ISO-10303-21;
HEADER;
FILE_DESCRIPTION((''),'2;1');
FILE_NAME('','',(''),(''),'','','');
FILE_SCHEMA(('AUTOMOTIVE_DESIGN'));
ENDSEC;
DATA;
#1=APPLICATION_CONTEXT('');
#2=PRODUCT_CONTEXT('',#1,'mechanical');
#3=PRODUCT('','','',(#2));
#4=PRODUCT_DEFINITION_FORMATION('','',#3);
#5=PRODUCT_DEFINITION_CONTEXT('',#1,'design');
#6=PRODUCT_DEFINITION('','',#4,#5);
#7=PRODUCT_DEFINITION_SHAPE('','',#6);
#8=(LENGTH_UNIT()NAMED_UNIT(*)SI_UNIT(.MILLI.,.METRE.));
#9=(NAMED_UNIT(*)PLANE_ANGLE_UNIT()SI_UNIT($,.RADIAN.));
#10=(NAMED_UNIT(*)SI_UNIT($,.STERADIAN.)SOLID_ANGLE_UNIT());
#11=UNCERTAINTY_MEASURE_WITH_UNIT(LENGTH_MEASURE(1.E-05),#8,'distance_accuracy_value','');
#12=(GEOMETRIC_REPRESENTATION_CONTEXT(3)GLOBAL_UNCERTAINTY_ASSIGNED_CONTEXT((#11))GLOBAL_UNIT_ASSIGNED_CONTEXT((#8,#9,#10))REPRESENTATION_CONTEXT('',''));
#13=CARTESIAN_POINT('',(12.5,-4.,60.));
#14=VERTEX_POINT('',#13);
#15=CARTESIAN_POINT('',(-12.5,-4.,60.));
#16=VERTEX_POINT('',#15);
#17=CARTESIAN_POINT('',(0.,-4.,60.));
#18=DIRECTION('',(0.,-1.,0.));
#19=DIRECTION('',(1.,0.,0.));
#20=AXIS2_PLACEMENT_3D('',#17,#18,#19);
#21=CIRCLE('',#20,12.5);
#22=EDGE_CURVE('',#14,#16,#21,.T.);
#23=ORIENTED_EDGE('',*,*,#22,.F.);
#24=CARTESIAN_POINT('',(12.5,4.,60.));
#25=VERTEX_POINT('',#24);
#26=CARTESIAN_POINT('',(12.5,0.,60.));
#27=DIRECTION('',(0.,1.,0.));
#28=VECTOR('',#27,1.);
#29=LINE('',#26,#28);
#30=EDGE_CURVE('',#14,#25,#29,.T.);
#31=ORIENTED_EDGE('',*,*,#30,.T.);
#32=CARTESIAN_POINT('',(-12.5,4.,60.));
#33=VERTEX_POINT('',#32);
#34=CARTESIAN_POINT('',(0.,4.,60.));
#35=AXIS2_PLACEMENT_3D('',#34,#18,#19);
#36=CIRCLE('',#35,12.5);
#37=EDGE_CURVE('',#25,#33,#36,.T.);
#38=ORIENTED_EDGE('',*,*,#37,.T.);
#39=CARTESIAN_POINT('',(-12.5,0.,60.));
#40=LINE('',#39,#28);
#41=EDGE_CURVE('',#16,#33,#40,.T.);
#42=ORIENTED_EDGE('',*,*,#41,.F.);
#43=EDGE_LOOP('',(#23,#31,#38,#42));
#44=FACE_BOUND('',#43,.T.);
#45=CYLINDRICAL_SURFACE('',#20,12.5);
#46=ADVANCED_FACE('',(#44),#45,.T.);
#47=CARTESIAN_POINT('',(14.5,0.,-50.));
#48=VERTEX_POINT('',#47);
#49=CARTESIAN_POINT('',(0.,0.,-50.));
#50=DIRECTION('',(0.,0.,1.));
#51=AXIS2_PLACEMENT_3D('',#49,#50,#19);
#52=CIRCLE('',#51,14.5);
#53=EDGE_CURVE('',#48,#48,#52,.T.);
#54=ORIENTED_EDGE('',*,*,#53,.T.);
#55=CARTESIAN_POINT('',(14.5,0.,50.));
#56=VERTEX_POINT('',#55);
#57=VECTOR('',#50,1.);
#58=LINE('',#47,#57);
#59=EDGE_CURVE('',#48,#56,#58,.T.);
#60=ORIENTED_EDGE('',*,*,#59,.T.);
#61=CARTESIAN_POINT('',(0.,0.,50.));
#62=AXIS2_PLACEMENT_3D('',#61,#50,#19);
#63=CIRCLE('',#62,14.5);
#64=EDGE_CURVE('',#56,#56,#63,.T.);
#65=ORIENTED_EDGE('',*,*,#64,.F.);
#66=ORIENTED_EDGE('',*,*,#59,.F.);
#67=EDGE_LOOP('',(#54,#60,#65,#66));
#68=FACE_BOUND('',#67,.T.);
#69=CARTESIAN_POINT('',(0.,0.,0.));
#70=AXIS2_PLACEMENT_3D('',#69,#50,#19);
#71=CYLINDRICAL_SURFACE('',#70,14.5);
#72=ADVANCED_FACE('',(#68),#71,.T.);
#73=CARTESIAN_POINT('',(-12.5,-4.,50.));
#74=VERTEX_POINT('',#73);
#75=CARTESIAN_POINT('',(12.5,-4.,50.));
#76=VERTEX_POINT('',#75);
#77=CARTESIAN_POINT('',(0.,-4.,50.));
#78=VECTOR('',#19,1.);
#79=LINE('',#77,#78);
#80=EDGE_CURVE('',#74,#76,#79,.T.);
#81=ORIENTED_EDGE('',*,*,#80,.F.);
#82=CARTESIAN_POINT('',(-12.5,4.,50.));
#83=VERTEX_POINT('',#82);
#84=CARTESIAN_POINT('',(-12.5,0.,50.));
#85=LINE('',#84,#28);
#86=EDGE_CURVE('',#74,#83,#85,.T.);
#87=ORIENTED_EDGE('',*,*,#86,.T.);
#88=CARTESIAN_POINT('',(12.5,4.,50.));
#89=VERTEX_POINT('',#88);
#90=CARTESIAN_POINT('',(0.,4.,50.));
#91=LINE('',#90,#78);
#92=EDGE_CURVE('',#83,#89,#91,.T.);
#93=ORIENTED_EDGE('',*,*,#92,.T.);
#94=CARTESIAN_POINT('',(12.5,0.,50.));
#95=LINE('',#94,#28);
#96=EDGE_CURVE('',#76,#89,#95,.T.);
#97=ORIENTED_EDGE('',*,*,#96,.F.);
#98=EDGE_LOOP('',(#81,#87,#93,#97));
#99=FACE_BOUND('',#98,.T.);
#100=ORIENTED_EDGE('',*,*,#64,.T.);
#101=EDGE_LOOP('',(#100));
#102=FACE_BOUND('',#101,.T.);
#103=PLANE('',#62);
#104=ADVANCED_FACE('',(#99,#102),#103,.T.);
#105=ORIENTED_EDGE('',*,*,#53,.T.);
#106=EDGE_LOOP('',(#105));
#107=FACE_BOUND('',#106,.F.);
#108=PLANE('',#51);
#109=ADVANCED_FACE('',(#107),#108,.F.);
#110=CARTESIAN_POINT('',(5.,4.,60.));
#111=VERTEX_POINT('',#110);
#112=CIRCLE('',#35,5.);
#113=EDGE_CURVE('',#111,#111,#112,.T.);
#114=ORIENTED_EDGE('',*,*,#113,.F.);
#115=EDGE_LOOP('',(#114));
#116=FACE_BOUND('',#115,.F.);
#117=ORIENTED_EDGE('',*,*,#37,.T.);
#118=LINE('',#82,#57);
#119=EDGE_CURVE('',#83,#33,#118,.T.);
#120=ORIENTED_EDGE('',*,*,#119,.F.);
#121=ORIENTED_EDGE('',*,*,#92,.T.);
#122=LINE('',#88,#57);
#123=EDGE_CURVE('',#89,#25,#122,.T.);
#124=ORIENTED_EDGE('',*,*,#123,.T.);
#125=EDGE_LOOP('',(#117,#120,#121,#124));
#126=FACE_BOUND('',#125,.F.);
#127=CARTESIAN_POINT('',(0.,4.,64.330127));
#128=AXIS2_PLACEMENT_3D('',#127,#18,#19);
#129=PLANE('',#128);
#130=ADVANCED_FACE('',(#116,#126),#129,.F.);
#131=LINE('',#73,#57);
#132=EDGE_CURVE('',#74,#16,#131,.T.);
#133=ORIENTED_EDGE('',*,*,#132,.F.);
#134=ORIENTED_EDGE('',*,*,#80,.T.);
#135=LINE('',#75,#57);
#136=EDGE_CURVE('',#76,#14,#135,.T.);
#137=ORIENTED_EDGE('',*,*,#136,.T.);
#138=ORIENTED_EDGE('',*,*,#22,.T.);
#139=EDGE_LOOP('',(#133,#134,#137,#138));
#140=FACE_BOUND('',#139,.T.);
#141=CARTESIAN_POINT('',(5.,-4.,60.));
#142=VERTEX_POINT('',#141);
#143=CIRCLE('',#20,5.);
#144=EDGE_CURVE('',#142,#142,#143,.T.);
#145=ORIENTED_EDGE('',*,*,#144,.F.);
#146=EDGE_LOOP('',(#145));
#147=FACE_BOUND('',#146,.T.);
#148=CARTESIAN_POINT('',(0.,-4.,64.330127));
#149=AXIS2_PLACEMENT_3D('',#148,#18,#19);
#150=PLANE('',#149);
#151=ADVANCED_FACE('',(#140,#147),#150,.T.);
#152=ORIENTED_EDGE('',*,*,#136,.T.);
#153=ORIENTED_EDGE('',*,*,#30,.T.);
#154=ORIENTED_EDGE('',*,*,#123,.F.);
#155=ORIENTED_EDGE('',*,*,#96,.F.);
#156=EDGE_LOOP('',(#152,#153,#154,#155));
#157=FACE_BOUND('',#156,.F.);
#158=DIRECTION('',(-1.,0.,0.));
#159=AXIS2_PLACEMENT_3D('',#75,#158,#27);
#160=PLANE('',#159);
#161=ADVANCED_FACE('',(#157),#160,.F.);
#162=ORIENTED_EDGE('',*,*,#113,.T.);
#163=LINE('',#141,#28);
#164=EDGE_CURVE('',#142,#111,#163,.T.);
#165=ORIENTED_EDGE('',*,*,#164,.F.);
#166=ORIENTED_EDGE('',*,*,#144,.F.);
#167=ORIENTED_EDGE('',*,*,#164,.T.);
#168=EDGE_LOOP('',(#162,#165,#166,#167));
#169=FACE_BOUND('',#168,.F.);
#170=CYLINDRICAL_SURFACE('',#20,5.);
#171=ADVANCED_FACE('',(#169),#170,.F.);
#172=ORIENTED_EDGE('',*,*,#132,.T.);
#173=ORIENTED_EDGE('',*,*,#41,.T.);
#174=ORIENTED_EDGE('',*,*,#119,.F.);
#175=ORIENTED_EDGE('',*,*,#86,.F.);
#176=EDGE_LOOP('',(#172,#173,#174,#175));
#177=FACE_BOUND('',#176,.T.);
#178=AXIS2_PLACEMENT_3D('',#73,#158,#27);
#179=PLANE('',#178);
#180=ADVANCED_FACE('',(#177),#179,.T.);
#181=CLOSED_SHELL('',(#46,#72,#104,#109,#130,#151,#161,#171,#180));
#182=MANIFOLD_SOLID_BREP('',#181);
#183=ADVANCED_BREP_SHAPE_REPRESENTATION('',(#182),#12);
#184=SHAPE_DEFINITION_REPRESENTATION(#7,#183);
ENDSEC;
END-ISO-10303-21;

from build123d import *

# Parameters (mm, degrees)
F0_R     = 14.5
F1_DEPTH = 50
F2_W     = 25
F2_H     = 8
F3_DEPTH = 10
F5_DEPTH = 8
F6_R     = 5
F7_DEPTH = 25


with BuildPart() as f1:
    # F0 (on Top) → F1 (new body, symmetric)
    with BuildSketch(Plane.XY):
        Circle(F0_R)
    extrude(amount=F1_DEPTH, both=True)

    # F2 (on face) → F3 (join)
    with BuildSketch(Plane.XY.offset(50)):
        Rectangle(F2_W, F2_H)
    extrude(amount=F3_DEPTH)

    # F4 (on face) → F5 (join)
    with BuildSketch(Plane.XZ.offset(4)):
        with BuildLine():
            Line((-12.5, 60), (12.5, 60))
            ThreePointArc((12.5, 60), (0, 72.5), (-12.5, 60))
        make_face()
    extrude(amount=-F5_DEPTH)

    # F6 (on face) → F7 (cut)
    with BuildSketch(Plane.XZ.offset(4)):
        with Locations((0, 60)):
            Circle(F6_R)
    extrude(amount=-F7_DEPTH, mode=Mode.SUBTRACT)


solid = f1.part
